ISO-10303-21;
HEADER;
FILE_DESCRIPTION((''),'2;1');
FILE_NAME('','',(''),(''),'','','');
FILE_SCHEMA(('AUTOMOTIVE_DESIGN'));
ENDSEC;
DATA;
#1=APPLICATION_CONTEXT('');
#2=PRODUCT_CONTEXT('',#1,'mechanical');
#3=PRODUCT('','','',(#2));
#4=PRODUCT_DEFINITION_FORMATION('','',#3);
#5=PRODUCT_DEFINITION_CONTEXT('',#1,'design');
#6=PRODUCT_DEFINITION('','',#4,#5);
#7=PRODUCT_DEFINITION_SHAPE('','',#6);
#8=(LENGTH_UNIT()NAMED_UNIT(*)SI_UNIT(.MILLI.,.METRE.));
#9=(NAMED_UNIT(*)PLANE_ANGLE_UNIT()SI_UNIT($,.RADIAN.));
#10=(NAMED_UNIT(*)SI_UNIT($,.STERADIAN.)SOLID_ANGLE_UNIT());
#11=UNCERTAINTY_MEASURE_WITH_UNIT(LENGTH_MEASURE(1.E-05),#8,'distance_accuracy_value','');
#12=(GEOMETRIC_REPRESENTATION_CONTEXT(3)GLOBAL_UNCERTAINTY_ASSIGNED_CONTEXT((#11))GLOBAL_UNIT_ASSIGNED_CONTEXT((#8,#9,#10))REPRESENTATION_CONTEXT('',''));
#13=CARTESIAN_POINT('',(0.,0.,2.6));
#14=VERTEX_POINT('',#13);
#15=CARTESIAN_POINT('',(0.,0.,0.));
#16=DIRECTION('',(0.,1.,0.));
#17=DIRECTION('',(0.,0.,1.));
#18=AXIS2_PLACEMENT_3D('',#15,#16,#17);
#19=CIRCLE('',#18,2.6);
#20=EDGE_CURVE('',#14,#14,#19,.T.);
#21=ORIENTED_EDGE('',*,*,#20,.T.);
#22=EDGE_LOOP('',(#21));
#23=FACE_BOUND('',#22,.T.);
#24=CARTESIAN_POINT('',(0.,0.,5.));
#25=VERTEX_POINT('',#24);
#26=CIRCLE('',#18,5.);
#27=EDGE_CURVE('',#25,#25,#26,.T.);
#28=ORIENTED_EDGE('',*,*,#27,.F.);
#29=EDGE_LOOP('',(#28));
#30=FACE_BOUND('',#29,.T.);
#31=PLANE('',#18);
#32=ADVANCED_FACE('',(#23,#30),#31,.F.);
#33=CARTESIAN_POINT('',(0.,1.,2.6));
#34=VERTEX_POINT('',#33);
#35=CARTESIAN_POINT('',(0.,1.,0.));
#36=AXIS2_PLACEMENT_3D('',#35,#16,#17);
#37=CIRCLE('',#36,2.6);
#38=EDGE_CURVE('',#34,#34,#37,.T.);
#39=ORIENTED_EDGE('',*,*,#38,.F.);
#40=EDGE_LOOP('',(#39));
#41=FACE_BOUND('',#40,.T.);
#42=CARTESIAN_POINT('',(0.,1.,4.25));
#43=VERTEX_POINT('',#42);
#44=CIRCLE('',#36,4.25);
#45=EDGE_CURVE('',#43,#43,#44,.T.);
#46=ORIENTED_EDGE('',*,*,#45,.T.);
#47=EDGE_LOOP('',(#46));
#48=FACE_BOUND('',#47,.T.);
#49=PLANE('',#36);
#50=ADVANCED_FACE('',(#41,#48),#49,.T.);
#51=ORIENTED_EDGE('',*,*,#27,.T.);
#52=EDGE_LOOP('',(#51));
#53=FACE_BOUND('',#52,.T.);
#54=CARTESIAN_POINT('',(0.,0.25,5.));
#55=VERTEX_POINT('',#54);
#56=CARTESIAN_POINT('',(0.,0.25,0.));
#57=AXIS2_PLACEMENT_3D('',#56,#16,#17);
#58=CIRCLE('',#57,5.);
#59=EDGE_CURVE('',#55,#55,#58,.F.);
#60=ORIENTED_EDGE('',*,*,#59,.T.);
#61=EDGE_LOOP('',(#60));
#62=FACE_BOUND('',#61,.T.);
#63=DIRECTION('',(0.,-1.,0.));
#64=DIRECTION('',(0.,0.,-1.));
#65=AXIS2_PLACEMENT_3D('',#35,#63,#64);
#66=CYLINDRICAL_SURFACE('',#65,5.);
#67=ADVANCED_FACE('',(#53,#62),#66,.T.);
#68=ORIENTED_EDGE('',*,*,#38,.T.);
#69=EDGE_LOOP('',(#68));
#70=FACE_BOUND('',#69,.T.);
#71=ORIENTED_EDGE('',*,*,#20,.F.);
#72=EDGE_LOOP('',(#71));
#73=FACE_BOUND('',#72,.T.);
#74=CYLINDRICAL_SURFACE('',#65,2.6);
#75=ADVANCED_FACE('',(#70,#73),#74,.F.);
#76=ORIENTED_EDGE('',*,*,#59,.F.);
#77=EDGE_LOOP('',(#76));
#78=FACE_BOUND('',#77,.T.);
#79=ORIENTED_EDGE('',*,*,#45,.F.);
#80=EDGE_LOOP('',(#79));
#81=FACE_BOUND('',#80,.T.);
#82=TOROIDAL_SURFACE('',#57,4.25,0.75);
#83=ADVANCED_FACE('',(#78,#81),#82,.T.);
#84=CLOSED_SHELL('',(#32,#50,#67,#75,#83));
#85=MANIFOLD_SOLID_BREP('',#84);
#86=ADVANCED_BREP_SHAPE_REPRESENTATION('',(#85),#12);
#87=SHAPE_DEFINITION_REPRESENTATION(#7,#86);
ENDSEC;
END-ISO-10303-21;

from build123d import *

# Parameters (mm, degrees)
SKETCH1_R           = 5
SKETCH1_R_2         = 2.6
BOSS_EXTRUDE1_DEPTH = 1
FILLET1_R           = 0.75


with BuildPart() as part:
    # Sketch1 → Boss-Extrude1 (new body)
    with BuildSketch(Plane(origin=(0, 0, 0), x_dir=(1, 0, 0), z_dir=(0, 1, 0))):
        Circle(SKETCH1_R)
        Circle(SKETCH1_R_2, mode=Mode.SUBTRACT)
    extrude(amount=BOSS_EXTRUDE1_DEPTH)

    # Fillet1
    fillet1_edges = [part.edges().sort_by_distance(p)[0] for p in [
        (-5, 1, 0),
    ]]
    fillet(fillet1_edges, radius=FILLET1_R)


solid = part.part
